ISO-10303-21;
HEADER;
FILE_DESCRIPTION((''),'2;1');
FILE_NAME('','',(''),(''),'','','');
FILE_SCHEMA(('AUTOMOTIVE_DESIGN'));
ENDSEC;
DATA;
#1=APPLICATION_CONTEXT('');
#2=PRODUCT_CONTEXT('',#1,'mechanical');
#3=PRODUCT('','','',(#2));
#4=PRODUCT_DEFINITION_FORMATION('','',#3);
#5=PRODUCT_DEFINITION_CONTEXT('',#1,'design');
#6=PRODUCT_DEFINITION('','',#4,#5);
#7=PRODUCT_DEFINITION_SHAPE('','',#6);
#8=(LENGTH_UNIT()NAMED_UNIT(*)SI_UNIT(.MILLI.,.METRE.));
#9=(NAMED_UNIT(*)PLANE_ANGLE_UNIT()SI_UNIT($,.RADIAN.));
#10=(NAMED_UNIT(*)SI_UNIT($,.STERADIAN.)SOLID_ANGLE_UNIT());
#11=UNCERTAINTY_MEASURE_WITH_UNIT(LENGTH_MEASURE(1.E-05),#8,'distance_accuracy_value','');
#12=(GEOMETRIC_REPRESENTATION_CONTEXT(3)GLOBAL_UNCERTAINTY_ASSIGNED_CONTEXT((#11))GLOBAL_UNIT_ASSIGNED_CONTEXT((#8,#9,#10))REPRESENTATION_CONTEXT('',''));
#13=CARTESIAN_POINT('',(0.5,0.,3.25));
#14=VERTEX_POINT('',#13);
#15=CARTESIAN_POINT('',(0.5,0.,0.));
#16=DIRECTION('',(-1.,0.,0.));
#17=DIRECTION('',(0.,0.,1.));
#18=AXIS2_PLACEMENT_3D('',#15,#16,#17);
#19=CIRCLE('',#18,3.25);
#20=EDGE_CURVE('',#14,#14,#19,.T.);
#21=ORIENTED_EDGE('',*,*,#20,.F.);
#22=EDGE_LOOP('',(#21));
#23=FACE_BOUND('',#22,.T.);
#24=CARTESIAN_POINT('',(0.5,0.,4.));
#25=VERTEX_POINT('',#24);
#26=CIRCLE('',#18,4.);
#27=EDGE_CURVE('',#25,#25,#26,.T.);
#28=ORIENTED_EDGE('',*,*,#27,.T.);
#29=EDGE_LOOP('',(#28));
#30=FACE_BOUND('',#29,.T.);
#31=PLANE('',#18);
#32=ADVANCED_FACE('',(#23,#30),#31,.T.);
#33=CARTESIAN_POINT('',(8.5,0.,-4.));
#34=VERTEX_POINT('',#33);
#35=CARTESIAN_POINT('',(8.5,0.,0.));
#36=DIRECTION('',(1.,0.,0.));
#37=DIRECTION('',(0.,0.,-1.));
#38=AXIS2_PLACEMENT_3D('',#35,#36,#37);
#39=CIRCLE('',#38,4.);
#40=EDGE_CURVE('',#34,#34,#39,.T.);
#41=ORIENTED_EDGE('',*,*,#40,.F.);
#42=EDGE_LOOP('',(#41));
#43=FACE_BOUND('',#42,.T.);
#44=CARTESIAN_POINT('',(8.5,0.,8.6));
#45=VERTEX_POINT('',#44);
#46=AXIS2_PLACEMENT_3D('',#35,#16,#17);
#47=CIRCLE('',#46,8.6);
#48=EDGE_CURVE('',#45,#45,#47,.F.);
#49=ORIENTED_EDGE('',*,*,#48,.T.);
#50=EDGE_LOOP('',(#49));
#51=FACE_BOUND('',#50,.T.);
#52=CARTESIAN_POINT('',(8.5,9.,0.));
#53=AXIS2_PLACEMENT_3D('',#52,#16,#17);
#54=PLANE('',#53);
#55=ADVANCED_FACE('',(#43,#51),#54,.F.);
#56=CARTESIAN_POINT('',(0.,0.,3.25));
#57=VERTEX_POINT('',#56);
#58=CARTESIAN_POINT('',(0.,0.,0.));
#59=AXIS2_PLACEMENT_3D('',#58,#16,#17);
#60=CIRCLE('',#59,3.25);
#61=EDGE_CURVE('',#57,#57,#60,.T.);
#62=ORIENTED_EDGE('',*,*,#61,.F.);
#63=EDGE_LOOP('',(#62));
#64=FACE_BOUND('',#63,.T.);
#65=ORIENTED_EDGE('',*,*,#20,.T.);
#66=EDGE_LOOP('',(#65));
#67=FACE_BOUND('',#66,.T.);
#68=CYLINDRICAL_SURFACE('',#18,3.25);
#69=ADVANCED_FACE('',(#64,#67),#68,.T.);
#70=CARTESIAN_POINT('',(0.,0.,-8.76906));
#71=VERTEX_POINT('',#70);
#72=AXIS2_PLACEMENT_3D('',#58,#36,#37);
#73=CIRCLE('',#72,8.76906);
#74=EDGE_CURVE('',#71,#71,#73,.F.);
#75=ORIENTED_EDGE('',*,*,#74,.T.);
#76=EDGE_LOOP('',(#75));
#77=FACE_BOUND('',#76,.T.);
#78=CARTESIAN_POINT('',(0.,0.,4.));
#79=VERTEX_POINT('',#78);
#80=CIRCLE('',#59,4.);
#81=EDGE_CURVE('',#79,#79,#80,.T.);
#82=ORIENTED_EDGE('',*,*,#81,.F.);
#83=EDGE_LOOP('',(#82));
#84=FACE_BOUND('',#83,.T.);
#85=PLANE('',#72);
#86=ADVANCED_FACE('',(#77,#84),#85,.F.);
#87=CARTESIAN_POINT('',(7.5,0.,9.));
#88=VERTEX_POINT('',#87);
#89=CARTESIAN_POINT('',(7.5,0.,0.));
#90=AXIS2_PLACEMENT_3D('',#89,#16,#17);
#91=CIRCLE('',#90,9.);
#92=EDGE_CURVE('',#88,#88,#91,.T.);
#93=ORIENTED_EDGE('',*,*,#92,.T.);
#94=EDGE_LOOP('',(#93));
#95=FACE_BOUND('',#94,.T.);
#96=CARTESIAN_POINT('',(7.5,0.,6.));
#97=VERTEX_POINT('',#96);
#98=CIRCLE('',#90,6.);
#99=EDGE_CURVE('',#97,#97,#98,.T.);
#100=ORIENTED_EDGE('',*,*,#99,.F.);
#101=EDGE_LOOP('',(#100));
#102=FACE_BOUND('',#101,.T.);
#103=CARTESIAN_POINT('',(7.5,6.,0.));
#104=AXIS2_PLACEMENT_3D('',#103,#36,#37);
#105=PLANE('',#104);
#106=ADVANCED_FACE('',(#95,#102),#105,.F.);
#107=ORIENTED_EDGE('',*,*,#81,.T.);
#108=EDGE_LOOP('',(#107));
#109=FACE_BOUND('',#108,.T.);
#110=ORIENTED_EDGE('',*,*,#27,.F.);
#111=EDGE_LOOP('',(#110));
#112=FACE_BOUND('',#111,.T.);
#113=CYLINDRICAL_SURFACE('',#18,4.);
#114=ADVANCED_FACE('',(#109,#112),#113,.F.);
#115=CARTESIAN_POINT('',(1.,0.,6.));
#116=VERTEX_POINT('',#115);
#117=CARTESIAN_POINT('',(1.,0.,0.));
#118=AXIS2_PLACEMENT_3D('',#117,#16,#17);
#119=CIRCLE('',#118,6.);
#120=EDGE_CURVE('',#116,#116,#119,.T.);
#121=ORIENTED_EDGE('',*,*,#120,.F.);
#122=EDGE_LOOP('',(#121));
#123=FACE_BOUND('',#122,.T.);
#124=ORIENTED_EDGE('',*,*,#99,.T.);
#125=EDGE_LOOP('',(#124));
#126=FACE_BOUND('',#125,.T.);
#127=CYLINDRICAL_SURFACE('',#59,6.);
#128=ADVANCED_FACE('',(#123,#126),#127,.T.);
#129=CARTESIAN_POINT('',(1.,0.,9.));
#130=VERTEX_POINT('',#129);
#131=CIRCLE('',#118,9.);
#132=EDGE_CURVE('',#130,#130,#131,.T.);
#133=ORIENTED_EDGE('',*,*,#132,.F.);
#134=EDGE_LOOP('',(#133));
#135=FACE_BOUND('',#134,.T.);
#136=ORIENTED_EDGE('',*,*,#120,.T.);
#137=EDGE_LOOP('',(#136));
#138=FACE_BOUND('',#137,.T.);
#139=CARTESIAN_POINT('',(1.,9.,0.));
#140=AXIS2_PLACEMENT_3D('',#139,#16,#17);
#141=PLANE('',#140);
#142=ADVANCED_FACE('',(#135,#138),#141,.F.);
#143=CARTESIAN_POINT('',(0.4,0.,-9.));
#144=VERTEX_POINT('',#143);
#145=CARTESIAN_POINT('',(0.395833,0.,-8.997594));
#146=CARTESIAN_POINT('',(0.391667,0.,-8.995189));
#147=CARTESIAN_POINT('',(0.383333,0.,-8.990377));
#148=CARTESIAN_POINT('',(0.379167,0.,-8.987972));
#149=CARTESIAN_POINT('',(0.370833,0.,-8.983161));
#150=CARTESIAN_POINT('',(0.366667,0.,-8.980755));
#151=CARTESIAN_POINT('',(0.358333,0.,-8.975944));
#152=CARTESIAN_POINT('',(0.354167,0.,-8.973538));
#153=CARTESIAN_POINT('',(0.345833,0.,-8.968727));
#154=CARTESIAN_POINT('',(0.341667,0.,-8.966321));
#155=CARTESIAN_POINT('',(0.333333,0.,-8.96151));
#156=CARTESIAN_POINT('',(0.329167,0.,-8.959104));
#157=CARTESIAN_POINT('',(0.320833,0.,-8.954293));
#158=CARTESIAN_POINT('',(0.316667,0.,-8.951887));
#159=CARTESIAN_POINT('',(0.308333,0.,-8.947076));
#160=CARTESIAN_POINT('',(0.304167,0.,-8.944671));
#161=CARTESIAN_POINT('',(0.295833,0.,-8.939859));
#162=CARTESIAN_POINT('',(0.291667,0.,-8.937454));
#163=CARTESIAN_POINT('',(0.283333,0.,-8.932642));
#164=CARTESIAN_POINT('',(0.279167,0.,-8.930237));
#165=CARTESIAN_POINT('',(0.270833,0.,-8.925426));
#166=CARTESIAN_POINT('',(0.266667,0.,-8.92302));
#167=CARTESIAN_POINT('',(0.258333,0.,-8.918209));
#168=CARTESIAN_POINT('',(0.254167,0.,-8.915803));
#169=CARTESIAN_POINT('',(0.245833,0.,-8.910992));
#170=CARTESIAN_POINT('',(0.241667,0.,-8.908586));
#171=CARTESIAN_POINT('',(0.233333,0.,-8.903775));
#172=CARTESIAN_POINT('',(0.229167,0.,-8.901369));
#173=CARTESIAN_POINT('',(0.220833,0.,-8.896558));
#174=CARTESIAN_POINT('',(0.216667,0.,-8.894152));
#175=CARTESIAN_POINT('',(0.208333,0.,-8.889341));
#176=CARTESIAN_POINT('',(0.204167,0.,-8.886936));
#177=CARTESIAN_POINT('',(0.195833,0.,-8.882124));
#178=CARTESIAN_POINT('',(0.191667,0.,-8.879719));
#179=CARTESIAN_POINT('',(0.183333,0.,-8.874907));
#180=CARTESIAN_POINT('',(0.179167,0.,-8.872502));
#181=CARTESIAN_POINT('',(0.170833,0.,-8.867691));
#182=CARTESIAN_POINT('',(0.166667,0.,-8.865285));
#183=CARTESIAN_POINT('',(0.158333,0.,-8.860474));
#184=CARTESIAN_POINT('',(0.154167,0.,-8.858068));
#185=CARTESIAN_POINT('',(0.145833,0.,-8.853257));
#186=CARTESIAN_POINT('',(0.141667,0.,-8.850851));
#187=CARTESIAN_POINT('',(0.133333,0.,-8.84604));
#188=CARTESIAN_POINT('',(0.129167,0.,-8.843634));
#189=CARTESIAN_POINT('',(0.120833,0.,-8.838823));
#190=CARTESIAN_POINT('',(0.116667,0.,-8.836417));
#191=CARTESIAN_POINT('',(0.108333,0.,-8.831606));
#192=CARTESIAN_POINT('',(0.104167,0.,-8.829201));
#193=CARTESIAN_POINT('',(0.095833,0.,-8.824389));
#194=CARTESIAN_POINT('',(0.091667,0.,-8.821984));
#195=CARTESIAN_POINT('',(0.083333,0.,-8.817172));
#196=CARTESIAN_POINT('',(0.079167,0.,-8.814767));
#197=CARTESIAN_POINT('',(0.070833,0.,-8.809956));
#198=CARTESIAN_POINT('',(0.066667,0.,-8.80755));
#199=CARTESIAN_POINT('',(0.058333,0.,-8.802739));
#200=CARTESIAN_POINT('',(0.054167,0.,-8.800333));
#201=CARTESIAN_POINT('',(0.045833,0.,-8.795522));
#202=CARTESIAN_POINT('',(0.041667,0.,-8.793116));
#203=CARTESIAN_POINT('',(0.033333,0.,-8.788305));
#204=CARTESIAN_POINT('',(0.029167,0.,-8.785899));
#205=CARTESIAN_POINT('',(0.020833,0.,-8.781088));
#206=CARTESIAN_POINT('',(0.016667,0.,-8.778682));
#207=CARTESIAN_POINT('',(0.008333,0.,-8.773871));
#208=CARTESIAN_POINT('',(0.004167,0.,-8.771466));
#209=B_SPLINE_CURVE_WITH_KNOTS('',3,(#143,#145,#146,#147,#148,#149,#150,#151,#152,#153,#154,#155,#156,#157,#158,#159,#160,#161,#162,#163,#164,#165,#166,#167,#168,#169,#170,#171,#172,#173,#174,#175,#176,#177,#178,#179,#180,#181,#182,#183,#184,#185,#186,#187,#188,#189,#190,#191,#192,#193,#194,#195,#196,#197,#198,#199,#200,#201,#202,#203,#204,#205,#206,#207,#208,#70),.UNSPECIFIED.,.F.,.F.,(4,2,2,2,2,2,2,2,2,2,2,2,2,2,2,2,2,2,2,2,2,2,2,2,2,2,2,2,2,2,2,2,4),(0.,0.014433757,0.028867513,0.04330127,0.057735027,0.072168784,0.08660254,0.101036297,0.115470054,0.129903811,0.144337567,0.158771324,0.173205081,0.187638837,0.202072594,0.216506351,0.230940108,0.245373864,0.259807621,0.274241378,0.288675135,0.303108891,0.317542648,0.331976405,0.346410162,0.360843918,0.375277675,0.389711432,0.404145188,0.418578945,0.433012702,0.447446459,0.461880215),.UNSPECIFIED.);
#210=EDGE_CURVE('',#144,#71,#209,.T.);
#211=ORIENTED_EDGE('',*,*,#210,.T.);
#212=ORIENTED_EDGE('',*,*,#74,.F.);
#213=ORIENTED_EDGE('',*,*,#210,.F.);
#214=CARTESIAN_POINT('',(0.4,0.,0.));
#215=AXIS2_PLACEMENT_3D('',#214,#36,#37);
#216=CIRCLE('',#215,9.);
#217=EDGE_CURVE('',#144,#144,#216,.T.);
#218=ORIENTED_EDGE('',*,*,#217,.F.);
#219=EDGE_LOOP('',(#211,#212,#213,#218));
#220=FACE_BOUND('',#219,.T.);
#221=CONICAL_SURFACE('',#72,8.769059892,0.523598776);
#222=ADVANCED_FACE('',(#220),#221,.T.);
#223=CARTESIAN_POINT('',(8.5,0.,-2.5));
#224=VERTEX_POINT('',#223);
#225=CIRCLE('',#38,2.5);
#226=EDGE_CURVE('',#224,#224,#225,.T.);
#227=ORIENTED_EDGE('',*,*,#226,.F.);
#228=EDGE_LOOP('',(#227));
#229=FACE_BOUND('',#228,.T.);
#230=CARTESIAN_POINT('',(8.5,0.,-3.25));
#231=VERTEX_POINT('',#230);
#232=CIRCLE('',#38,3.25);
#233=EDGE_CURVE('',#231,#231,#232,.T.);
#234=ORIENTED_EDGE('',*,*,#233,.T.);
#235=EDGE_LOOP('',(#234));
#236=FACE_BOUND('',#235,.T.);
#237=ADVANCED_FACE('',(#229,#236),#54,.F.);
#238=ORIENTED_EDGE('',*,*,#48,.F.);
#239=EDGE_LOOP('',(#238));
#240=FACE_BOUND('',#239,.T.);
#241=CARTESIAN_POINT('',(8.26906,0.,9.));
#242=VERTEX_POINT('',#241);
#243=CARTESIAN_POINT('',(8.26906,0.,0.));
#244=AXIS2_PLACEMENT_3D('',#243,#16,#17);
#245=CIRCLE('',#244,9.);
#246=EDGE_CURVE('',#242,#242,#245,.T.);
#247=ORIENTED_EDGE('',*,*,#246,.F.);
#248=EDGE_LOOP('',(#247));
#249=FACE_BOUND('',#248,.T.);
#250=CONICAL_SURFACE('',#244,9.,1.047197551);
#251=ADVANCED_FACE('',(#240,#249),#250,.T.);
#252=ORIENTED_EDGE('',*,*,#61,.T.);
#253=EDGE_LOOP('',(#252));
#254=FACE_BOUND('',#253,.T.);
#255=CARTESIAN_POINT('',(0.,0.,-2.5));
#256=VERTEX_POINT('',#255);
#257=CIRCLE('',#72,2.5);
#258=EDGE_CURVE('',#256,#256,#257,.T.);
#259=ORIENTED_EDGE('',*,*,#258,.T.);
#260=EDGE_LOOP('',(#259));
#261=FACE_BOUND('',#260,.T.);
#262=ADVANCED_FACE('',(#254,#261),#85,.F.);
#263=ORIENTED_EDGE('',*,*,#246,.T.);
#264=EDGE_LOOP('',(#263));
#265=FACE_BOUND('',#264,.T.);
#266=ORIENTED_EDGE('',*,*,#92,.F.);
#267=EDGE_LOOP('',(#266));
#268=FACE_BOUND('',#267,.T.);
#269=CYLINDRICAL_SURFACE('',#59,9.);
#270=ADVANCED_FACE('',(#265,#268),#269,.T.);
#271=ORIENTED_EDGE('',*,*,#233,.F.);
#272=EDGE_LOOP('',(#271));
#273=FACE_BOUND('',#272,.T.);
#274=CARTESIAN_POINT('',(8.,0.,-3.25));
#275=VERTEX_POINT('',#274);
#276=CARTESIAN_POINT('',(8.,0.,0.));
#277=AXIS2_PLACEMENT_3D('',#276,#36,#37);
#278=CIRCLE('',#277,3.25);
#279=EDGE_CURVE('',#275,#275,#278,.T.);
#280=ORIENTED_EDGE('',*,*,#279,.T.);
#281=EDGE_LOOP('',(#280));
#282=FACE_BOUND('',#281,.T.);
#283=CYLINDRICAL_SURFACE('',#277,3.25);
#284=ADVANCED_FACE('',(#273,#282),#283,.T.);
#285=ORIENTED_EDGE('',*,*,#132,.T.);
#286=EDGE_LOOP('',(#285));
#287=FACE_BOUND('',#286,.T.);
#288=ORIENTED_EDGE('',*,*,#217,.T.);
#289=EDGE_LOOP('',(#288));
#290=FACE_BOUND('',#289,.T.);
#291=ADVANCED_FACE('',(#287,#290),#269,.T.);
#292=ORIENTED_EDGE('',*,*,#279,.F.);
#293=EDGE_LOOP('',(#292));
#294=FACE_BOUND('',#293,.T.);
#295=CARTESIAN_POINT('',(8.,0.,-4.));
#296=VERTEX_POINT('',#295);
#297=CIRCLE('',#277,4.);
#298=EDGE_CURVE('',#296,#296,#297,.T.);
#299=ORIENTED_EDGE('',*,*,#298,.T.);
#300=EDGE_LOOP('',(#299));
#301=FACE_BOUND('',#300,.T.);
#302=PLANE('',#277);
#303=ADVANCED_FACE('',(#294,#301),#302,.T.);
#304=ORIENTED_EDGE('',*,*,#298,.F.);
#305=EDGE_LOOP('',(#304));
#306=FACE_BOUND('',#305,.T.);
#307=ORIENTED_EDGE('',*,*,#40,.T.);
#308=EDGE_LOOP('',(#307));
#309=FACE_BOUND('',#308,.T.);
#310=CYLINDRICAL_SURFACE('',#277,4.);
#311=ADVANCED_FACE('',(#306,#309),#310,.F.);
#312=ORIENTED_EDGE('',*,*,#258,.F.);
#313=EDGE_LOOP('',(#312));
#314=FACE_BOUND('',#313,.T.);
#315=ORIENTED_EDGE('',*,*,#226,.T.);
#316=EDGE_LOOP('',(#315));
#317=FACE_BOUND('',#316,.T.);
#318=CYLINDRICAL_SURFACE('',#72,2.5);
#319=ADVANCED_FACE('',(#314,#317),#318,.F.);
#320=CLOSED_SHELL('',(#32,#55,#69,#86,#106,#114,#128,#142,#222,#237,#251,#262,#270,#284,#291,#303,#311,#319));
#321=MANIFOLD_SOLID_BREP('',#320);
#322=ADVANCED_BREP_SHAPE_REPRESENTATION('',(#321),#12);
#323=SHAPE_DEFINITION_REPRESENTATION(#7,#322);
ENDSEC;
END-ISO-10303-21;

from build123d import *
from OCP.BRepFilletAPI import BRepFilletAPI_MakeChamfer

# Parameters (mm, degrees)
CHAMFER1_SIZE      = 0.4
CHAMFER1_SIZE2     = 0.230940108
SKETCH2_R          = 2.5
CUT_EXTRUDE1_DEPTH = 16.305227865
SKETCH3_R          = 4
SKETCH3_R_2        = 3.25
CUT_EXTRUDE2_DEPTH = 0.5
CUT_EXTRUDE3_START = -0.5
SKETCH4_R          = 4
SKETCH4_R_2        = 3.25
CUT_EXTRUDE3_DEPTH = 0.5


with BuildPart() as part:
    # Sketch1 → Revolve1 (revolve)
    with BuildSketch(Plane.XY, mode=Mode.PRIVATE) as revolve1_sk:
        Polygon((0, 0), (0, 9), (1, 9), (1, 6), (7.5, 6), (7.5, 9), (8.5, 9), (8.5, 0), align=None)
    revolve(revolve1_sk.sketch.rotate(Axis((0, 0, 0), (1, 0, 0)), 90), axis=Axis((0, 0, 0), (1, 0, 0)))

    # Chamfer1: one chamfer whose edges measure the first distance from different faces: ONE call of the kernel's chamfer builder (chamfer() names one face for all edges)
    chamfer1_edges_1 = [part.edges().sort_by_distance(p)[0] for p in [
        (8.5, 0, -9),
    ]]
    chamfer1_side_1 = [part.faces().sort_by_distance(p)[0] for p in [
        (8.5, 0, 0),
    ]]
    chamfer1_edges_2 = [part.edges().sort_by_distance(p)[0] for p in [
        (0, 0, -9),
    ]]
    chamfer1_side_2 = [part.faces().sort_by_distance(p)[0] for p in [
        (0.5, 0, -9),
    ]]
    chamfer1 = BRepFilletAPI_MakeChamfer(part.part.solid().wrapped)
    for e in chamfer1_edges_1:
        chamfer1.Add(CHAMFER1_SIZE, CHAMFER1_SIZE2, e.wrapped, chamfer1_side_1[0].wrapped)  # the first distance lies on this face
    for e in chamfer1_edges_2:
        chamfer1.Add(CHAMFER1_SIZE, CHAMFER1_SIZE2, e.wrapped, chamfer1_side_2[0].wrapped)  # the first distance lies on this face
    add(Compound.cast(chamfer1.Shape()), mode=Mode.REPLACE)

    # Sketch2 → Cut-Extrude1 (cut, through all)
    with BuildSketch(Plane(origin=(8.5, 0, 0), x_dir=(0, 0, -1), z_dir=(1, 0, 0))):
        Circle(SKETCH2_R)
    extrude(amount=-CUT_EXTRUDE1_DEPTH, mode=Mode.SUBTRACT)

    # Sketch3 → Cut-Extrude2 (cut)
    with BuildSketch(Plane(origin=(8.5, 0, 0), x_dir=(0, 0, -1), z_dir=(1, 0, 0))):
        Circle(SKETCH3_R)
        Circle(SKETCH3_R_2, mode=Mode.SUBTRACT)
    extrude(amount=-CUT_EXTRUDE2_DEPTH, mode=Mode.SUBTRACT)

    # Sketch4 → Cut-Extrude3 (cut)
    with BuildSketch(Plane.ZY.offset(CUT_EXTRUDE3_START)):
        with Locations(Location((0, 0, 0), (0, 0, 180))):
            Circle(SKETCH4_R)
        with Locations(Location((0, 0, 0), (0, 0, 180))):
            Circle(SKETCH4_R_2, mode=Mode.SUBTRACT)
    extrude(amount=CUT_EXTRUDE3_DEPTH, mode=Mode.SUBTRACT)


solid = part.part
